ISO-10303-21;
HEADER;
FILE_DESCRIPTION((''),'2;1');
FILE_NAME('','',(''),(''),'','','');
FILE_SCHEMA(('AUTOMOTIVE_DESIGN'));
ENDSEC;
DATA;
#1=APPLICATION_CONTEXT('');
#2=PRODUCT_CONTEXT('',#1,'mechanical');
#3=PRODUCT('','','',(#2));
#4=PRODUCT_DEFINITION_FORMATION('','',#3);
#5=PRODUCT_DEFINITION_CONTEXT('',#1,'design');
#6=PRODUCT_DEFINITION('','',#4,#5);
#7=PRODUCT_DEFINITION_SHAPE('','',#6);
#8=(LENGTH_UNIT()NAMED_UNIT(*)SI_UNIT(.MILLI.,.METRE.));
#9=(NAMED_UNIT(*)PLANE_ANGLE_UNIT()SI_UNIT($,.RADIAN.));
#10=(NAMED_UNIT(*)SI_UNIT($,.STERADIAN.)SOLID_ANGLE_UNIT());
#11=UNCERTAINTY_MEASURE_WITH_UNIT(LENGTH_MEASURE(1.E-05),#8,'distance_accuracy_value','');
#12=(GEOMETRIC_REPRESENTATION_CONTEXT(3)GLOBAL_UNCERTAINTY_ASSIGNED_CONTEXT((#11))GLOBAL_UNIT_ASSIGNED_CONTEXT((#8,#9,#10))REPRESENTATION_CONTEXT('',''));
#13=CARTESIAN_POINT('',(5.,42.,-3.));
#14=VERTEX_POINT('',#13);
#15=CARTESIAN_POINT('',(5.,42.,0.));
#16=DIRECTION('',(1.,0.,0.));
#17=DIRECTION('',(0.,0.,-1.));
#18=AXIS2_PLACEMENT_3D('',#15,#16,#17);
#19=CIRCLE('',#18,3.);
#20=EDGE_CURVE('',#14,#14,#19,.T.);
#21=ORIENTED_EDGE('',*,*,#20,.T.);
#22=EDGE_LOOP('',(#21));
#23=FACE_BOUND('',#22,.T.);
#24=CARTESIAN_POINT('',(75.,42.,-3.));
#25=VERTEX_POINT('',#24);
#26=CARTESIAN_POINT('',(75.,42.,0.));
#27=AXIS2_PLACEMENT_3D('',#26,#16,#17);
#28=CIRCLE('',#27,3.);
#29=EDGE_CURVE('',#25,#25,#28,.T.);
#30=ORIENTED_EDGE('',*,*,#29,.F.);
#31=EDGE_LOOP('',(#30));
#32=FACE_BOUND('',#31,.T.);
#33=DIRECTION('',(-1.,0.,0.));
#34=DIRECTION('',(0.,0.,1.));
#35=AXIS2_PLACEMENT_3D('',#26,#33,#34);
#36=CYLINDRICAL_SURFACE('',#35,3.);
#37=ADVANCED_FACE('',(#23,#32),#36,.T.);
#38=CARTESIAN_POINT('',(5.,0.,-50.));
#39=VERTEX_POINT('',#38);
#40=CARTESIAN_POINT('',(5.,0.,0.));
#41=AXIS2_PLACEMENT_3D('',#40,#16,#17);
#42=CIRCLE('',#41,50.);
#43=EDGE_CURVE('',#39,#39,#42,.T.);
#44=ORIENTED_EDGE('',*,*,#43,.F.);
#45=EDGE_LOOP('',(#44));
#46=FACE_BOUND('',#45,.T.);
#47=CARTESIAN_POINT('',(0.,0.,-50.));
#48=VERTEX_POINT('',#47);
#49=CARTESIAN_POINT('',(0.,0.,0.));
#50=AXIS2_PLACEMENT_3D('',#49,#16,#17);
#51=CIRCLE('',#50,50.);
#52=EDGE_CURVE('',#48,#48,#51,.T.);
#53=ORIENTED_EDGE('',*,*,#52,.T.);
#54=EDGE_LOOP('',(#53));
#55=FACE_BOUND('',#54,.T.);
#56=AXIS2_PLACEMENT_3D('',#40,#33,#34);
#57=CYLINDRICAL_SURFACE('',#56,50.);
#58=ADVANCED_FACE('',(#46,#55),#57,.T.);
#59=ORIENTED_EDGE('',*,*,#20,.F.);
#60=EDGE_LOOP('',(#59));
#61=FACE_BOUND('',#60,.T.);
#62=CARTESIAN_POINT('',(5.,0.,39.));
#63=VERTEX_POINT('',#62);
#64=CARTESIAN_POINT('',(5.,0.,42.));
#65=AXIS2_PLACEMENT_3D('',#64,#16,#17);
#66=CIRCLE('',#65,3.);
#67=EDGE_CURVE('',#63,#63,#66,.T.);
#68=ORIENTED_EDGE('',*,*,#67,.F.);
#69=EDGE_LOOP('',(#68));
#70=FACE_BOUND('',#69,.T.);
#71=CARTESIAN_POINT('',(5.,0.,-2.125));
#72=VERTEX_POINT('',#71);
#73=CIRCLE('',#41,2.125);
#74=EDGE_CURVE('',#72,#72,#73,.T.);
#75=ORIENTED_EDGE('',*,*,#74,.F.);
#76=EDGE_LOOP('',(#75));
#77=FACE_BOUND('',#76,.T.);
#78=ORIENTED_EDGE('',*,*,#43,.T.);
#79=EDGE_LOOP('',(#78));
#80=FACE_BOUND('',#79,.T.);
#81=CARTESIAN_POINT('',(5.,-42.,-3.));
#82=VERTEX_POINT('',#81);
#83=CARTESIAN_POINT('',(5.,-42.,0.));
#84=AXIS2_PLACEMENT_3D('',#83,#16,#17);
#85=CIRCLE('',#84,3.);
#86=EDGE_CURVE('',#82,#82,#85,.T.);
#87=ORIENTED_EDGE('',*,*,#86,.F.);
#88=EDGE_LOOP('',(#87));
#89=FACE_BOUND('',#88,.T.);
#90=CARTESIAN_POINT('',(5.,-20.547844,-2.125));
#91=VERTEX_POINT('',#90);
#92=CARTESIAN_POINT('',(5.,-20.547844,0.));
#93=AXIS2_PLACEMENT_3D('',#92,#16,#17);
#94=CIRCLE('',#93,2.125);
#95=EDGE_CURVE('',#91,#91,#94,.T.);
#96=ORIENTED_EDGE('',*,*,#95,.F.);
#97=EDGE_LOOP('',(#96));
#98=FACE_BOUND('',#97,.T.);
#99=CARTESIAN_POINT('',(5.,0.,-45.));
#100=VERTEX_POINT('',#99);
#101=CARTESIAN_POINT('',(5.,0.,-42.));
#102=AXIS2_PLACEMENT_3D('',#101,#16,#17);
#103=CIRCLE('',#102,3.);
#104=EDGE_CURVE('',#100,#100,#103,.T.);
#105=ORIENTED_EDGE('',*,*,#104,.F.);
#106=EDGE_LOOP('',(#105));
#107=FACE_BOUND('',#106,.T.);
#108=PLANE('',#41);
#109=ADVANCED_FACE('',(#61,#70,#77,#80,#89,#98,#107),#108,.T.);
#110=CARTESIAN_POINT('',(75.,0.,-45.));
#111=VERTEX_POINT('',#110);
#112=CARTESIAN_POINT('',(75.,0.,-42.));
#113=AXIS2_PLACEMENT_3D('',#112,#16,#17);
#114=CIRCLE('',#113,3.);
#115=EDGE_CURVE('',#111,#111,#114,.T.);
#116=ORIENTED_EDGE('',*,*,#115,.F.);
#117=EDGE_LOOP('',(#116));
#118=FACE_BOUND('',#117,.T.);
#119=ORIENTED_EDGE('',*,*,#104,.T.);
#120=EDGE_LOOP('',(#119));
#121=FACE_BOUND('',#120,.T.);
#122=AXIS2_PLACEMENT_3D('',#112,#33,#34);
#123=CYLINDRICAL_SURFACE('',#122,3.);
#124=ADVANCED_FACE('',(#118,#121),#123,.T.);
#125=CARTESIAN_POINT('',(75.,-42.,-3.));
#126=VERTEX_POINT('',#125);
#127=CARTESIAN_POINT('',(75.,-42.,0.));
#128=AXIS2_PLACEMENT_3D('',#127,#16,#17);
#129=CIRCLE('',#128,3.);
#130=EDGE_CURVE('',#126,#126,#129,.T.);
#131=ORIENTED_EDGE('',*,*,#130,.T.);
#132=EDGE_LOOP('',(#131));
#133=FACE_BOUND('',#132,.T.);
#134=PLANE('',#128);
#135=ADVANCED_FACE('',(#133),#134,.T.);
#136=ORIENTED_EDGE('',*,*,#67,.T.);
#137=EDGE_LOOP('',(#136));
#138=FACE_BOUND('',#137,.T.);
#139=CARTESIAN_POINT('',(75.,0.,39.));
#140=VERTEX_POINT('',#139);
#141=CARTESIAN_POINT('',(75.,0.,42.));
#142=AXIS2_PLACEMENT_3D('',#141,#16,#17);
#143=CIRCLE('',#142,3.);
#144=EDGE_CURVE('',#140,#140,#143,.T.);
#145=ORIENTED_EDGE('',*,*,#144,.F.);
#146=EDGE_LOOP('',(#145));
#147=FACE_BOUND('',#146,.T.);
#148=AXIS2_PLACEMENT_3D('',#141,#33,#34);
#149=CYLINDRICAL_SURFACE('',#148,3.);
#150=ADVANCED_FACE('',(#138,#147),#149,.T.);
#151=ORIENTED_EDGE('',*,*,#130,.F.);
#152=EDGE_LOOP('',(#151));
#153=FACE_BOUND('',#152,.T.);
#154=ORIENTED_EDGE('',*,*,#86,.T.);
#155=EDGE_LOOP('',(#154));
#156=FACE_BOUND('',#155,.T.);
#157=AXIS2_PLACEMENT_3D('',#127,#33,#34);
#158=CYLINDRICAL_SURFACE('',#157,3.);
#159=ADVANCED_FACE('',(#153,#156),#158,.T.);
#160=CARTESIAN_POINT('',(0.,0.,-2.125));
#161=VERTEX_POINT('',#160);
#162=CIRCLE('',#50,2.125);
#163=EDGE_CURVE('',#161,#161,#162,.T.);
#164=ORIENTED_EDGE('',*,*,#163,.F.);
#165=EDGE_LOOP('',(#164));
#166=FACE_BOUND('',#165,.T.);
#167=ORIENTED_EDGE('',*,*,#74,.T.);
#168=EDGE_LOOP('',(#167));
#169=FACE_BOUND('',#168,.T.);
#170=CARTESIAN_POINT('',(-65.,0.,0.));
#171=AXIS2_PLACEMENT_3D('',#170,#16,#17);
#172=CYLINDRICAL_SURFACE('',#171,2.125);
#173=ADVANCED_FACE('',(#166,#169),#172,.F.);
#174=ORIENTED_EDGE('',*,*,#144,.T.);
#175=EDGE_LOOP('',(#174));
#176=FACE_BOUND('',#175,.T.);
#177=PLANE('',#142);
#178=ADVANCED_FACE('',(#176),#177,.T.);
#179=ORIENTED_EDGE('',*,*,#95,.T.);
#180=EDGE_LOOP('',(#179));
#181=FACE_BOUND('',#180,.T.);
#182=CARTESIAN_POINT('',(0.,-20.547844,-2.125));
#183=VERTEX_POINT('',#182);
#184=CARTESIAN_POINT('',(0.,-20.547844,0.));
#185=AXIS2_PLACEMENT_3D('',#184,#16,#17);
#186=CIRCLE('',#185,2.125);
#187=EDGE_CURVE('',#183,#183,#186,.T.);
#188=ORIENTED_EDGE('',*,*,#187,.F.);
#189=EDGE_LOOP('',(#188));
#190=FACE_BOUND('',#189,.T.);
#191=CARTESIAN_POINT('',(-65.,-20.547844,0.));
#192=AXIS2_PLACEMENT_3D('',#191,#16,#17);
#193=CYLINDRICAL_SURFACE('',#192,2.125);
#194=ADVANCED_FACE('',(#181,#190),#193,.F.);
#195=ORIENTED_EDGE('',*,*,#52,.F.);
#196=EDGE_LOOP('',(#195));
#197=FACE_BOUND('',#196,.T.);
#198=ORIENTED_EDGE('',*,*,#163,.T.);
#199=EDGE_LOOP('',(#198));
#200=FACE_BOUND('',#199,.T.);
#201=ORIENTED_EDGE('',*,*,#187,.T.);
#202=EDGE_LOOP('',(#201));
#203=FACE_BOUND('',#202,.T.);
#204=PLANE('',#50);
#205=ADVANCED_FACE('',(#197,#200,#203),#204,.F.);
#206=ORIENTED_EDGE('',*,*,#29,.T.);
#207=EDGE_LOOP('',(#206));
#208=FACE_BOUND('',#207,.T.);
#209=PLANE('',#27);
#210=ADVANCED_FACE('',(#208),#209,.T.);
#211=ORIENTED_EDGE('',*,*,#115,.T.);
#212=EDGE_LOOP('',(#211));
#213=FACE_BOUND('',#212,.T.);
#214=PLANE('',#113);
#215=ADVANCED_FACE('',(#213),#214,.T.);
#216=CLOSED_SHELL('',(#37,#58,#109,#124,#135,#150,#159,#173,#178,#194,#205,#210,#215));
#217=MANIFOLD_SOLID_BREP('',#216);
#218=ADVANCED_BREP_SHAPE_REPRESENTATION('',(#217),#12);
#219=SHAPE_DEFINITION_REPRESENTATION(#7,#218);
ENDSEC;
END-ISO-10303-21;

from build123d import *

# Parameters (mm, degrees)
ESQUISSE1_R             = 50
BOSS_EXTRU_1_DEPTH      = 5
ESQUISSE2_R             = 3
BOSS_EXTRU_3_DEPTH      = 70
ESQUISSE3_R             = 2.125
ENL_V_MAT_EXTRU_2_DEPTH = 70


with BuildPart() as part:
    # Esquisse1 → Boss.-Extru.1 (new body)
    with BuildSketch(Plane(origin=(0, 0, 0), x_dir=(0, 0, -1), z_dir=(1, 0, 0))):
        Circle(ESQUISSE1_R)
    extrude(amount=BOSS_EXTRU_1_DEPTH)

    # Esquisse2 → Boss.-Extru.3 (add)
    with BuildSketch(Plane(origin=(5, 0, 0), x_dir=(0, 0, -1), z_dir=(1, 0, 0))):
        with Locations((-42, 0)):
            Circle(ESQUISSE2_R)
        with Locations((42, 0)):
            Circle(ESQUISSE2_R)
        with Locations((0, -42)):
            Circle(ESQUISSE2_R)
        with Locations((0, 42)):
            Circle(ESQUISSE2_R)
    extrude(amount=BOSS_EXTRU_3_DEPTH)

    # Esquisse3 → Enlèv. mat.-Extru.2 (cut)
    with BuildSketch(Plane(origin=(5, 0, 0), x_dir=(0, 0, -1), z_dir=(1, 0, 0))):
        Circle(ESQUISSE3_R)
        with Locations((0, -20.547843558)):
            Circle(ESQUISSE3_R)
    extrude(amount=-ENL_V_MAT_EXTRU_2_DEPTH, mode=Mode.SUBTRACT)


solid = part.part
